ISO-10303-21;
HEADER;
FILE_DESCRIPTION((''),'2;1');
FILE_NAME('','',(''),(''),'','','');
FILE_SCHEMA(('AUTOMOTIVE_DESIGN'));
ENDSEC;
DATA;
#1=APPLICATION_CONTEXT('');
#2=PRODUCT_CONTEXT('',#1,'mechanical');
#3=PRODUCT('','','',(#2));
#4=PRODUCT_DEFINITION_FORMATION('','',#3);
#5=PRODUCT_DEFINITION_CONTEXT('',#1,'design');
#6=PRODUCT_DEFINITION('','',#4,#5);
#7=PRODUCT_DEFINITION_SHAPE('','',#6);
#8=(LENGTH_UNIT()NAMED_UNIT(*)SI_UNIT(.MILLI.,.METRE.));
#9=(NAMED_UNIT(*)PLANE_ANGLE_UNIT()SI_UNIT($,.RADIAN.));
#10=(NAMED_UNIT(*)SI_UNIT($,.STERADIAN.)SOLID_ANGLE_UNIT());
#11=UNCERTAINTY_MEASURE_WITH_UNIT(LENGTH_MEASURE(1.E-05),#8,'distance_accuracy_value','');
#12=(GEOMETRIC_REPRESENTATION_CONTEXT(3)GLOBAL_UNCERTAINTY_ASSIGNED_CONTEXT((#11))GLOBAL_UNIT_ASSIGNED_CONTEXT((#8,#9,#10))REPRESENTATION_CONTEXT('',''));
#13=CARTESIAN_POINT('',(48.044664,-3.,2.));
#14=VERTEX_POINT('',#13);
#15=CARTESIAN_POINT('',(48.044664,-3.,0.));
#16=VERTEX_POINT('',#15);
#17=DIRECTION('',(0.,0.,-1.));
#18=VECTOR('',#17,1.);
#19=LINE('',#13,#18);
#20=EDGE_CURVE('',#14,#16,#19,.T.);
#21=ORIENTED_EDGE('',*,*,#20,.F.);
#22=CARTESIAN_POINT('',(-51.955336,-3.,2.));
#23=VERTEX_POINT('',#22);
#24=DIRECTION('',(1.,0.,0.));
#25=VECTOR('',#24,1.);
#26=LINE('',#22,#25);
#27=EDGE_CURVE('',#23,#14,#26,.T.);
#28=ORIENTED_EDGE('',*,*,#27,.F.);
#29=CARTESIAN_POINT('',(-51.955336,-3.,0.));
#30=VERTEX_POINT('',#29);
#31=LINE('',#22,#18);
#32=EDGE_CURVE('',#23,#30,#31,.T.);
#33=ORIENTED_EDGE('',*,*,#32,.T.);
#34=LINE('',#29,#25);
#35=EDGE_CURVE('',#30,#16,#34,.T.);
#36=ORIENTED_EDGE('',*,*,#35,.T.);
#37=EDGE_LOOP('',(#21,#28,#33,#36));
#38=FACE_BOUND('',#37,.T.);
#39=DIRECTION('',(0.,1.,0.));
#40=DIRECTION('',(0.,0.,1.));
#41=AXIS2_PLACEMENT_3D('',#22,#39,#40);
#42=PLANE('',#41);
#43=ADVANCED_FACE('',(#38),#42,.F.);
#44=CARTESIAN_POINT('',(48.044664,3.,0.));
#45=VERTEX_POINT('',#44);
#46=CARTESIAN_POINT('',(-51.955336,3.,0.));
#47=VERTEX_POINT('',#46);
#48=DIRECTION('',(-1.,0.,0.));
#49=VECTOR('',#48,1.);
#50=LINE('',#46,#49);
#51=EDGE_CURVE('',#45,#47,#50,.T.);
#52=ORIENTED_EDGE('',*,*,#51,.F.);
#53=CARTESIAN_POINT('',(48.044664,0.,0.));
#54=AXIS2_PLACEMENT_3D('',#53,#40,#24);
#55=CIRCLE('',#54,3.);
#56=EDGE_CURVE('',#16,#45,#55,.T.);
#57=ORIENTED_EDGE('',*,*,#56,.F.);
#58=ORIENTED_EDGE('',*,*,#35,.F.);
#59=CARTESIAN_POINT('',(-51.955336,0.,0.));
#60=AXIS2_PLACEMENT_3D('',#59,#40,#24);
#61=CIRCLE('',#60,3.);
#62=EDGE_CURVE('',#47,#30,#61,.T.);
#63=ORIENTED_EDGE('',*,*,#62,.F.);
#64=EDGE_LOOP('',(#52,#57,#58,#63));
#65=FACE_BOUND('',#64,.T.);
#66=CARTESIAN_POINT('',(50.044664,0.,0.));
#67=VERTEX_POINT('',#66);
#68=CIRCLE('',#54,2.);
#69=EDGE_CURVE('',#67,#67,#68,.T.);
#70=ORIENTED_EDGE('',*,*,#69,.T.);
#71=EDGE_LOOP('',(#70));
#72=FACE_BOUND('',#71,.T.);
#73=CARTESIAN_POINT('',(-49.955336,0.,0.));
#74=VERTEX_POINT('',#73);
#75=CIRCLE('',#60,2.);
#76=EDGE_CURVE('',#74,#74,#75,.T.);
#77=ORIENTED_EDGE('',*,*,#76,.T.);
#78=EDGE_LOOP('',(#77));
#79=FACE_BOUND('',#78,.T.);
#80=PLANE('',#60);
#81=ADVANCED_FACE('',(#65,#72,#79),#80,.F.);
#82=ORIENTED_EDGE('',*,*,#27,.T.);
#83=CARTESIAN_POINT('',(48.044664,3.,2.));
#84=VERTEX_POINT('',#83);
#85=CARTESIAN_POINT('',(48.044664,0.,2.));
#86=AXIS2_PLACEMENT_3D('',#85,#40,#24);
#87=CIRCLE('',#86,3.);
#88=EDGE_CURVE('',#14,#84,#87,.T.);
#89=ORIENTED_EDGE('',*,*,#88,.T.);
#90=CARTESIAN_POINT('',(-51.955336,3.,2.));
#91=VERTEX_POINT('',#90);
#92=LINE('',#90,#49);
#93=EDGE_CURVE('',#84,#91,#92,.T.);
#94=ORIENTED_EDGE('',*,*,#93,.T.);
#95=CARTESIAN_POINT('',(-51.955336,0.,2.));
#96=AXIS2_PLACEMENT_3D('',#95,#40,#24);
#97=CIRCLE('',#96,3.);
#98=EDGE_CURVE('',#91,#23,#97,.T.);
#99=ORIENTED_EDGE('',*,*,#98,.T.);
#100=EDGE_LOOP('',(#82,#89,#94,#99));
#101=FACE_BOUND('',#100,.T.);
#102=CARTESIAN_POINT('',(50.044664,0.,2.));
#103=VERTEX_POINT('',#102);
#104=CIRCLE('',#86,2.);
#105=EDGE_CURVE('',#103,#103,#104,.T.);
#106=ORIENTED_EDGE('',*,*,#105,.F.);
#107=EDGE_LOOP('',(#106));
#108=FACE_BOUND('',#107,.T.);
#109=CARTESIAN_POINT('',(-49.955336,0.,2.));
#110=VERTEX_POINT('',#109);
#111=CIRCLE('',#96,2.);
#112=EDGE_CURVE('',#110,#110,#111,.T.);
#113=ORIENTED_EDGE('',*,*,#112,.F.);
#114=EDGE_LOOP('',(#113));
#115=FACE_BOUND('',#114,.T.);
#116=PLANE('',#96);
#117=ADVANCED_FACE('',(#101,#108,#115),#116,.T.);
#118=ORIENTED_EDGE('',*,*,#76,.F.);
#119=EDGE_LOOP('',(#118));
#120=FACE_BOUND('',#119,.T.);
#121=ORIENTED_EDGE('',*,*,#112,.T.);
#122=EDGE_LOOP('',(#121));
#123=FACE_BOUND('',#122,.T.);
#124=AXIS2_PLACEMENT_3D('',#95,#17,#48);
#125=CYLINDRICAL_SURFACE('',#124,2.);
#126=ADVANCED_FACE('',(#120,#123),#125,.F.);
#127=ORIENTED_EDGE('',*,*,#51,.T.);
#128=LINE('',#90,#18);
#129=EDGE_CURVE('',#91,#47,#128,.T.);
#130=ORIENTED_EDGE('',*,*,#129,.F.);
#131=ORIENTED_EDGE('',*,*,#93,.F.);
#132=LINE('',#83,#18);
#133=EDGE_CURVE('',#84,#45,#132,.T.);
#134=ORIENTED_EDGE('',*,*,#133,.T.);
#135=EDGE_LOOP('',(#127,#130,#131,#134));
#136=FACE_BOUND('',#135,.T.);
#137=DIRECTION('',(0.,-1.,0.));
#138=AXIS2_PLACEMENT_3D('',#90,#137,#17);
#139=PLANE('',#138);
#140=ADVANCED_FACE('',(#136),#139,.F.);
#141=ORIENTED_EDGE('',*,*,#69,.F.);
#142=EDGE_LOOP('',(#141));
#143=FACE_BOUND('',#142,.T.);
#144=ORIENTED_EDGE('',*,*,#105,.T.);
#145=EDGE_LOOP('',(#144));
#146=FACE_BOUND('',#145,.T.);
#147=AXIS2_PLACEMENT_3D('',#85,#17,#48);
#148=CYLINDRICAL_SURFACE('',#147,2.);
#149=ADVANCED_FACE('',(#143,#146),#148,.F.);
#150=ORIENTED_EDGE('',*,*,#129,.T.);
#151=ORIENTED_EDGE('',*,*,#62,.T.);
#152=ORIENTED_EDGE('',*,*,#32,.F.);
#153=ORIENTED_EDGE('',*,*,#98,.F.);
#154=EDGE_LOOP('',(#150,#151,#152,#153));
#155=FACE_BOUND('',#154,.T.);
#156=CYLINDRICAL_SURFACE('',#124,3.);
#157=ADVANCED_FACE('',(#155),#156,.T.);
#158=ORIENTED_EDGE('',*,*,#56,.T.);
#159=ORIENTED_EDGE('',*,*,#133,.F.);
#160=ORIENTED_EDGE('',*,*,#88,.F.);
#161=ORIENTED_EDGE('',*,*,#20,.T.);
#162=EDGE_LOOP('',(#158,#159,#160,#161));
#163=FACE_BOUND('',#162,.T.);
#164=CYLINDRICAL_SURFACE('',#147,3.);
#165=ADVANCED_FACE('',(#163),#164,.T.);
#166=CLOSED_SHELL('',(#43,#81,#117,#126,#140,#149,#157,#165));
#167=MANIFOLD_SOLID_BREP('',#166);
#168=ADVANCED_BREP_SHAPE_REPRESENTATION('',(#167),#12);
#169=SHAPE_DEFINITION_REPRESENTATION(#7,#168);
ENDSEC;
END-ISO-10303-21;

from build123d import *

# Parameters (mm, degrees)
SKETCH_1_R      = 2
EXTRUDE_2_DEPTH = 2


with BuildPart() as part:
    # 草图1 → 凸台-拉伸2 (new body)
    with BuildSketch(Plane.XY):
        with BuildLine():
            Line((-51.955335916, -3), (48.044664084, -3))
            ThreePointArc((48.044664084, -3), (51.044664084, 0), (48.044664084, 3))
            Line((48.044664084, 3), (-51.955335916, 3))
            ThreePointArc((-51.955335916, 3), (-54.955335916, 0), (-51.955335916, -3))
        make_face()
        with Locations((48.044664084, 0)):
            Circle(SKETCH_1_R, mode=Mode.SUBTRACT)
        with Locations((-51.955335916, 0)):
            Circle(SKETCH_1_R, mode=Mode.SUBTRACT)
    extrude(amount=EXTRUDE_2_DEPTH)


solid = part.part
